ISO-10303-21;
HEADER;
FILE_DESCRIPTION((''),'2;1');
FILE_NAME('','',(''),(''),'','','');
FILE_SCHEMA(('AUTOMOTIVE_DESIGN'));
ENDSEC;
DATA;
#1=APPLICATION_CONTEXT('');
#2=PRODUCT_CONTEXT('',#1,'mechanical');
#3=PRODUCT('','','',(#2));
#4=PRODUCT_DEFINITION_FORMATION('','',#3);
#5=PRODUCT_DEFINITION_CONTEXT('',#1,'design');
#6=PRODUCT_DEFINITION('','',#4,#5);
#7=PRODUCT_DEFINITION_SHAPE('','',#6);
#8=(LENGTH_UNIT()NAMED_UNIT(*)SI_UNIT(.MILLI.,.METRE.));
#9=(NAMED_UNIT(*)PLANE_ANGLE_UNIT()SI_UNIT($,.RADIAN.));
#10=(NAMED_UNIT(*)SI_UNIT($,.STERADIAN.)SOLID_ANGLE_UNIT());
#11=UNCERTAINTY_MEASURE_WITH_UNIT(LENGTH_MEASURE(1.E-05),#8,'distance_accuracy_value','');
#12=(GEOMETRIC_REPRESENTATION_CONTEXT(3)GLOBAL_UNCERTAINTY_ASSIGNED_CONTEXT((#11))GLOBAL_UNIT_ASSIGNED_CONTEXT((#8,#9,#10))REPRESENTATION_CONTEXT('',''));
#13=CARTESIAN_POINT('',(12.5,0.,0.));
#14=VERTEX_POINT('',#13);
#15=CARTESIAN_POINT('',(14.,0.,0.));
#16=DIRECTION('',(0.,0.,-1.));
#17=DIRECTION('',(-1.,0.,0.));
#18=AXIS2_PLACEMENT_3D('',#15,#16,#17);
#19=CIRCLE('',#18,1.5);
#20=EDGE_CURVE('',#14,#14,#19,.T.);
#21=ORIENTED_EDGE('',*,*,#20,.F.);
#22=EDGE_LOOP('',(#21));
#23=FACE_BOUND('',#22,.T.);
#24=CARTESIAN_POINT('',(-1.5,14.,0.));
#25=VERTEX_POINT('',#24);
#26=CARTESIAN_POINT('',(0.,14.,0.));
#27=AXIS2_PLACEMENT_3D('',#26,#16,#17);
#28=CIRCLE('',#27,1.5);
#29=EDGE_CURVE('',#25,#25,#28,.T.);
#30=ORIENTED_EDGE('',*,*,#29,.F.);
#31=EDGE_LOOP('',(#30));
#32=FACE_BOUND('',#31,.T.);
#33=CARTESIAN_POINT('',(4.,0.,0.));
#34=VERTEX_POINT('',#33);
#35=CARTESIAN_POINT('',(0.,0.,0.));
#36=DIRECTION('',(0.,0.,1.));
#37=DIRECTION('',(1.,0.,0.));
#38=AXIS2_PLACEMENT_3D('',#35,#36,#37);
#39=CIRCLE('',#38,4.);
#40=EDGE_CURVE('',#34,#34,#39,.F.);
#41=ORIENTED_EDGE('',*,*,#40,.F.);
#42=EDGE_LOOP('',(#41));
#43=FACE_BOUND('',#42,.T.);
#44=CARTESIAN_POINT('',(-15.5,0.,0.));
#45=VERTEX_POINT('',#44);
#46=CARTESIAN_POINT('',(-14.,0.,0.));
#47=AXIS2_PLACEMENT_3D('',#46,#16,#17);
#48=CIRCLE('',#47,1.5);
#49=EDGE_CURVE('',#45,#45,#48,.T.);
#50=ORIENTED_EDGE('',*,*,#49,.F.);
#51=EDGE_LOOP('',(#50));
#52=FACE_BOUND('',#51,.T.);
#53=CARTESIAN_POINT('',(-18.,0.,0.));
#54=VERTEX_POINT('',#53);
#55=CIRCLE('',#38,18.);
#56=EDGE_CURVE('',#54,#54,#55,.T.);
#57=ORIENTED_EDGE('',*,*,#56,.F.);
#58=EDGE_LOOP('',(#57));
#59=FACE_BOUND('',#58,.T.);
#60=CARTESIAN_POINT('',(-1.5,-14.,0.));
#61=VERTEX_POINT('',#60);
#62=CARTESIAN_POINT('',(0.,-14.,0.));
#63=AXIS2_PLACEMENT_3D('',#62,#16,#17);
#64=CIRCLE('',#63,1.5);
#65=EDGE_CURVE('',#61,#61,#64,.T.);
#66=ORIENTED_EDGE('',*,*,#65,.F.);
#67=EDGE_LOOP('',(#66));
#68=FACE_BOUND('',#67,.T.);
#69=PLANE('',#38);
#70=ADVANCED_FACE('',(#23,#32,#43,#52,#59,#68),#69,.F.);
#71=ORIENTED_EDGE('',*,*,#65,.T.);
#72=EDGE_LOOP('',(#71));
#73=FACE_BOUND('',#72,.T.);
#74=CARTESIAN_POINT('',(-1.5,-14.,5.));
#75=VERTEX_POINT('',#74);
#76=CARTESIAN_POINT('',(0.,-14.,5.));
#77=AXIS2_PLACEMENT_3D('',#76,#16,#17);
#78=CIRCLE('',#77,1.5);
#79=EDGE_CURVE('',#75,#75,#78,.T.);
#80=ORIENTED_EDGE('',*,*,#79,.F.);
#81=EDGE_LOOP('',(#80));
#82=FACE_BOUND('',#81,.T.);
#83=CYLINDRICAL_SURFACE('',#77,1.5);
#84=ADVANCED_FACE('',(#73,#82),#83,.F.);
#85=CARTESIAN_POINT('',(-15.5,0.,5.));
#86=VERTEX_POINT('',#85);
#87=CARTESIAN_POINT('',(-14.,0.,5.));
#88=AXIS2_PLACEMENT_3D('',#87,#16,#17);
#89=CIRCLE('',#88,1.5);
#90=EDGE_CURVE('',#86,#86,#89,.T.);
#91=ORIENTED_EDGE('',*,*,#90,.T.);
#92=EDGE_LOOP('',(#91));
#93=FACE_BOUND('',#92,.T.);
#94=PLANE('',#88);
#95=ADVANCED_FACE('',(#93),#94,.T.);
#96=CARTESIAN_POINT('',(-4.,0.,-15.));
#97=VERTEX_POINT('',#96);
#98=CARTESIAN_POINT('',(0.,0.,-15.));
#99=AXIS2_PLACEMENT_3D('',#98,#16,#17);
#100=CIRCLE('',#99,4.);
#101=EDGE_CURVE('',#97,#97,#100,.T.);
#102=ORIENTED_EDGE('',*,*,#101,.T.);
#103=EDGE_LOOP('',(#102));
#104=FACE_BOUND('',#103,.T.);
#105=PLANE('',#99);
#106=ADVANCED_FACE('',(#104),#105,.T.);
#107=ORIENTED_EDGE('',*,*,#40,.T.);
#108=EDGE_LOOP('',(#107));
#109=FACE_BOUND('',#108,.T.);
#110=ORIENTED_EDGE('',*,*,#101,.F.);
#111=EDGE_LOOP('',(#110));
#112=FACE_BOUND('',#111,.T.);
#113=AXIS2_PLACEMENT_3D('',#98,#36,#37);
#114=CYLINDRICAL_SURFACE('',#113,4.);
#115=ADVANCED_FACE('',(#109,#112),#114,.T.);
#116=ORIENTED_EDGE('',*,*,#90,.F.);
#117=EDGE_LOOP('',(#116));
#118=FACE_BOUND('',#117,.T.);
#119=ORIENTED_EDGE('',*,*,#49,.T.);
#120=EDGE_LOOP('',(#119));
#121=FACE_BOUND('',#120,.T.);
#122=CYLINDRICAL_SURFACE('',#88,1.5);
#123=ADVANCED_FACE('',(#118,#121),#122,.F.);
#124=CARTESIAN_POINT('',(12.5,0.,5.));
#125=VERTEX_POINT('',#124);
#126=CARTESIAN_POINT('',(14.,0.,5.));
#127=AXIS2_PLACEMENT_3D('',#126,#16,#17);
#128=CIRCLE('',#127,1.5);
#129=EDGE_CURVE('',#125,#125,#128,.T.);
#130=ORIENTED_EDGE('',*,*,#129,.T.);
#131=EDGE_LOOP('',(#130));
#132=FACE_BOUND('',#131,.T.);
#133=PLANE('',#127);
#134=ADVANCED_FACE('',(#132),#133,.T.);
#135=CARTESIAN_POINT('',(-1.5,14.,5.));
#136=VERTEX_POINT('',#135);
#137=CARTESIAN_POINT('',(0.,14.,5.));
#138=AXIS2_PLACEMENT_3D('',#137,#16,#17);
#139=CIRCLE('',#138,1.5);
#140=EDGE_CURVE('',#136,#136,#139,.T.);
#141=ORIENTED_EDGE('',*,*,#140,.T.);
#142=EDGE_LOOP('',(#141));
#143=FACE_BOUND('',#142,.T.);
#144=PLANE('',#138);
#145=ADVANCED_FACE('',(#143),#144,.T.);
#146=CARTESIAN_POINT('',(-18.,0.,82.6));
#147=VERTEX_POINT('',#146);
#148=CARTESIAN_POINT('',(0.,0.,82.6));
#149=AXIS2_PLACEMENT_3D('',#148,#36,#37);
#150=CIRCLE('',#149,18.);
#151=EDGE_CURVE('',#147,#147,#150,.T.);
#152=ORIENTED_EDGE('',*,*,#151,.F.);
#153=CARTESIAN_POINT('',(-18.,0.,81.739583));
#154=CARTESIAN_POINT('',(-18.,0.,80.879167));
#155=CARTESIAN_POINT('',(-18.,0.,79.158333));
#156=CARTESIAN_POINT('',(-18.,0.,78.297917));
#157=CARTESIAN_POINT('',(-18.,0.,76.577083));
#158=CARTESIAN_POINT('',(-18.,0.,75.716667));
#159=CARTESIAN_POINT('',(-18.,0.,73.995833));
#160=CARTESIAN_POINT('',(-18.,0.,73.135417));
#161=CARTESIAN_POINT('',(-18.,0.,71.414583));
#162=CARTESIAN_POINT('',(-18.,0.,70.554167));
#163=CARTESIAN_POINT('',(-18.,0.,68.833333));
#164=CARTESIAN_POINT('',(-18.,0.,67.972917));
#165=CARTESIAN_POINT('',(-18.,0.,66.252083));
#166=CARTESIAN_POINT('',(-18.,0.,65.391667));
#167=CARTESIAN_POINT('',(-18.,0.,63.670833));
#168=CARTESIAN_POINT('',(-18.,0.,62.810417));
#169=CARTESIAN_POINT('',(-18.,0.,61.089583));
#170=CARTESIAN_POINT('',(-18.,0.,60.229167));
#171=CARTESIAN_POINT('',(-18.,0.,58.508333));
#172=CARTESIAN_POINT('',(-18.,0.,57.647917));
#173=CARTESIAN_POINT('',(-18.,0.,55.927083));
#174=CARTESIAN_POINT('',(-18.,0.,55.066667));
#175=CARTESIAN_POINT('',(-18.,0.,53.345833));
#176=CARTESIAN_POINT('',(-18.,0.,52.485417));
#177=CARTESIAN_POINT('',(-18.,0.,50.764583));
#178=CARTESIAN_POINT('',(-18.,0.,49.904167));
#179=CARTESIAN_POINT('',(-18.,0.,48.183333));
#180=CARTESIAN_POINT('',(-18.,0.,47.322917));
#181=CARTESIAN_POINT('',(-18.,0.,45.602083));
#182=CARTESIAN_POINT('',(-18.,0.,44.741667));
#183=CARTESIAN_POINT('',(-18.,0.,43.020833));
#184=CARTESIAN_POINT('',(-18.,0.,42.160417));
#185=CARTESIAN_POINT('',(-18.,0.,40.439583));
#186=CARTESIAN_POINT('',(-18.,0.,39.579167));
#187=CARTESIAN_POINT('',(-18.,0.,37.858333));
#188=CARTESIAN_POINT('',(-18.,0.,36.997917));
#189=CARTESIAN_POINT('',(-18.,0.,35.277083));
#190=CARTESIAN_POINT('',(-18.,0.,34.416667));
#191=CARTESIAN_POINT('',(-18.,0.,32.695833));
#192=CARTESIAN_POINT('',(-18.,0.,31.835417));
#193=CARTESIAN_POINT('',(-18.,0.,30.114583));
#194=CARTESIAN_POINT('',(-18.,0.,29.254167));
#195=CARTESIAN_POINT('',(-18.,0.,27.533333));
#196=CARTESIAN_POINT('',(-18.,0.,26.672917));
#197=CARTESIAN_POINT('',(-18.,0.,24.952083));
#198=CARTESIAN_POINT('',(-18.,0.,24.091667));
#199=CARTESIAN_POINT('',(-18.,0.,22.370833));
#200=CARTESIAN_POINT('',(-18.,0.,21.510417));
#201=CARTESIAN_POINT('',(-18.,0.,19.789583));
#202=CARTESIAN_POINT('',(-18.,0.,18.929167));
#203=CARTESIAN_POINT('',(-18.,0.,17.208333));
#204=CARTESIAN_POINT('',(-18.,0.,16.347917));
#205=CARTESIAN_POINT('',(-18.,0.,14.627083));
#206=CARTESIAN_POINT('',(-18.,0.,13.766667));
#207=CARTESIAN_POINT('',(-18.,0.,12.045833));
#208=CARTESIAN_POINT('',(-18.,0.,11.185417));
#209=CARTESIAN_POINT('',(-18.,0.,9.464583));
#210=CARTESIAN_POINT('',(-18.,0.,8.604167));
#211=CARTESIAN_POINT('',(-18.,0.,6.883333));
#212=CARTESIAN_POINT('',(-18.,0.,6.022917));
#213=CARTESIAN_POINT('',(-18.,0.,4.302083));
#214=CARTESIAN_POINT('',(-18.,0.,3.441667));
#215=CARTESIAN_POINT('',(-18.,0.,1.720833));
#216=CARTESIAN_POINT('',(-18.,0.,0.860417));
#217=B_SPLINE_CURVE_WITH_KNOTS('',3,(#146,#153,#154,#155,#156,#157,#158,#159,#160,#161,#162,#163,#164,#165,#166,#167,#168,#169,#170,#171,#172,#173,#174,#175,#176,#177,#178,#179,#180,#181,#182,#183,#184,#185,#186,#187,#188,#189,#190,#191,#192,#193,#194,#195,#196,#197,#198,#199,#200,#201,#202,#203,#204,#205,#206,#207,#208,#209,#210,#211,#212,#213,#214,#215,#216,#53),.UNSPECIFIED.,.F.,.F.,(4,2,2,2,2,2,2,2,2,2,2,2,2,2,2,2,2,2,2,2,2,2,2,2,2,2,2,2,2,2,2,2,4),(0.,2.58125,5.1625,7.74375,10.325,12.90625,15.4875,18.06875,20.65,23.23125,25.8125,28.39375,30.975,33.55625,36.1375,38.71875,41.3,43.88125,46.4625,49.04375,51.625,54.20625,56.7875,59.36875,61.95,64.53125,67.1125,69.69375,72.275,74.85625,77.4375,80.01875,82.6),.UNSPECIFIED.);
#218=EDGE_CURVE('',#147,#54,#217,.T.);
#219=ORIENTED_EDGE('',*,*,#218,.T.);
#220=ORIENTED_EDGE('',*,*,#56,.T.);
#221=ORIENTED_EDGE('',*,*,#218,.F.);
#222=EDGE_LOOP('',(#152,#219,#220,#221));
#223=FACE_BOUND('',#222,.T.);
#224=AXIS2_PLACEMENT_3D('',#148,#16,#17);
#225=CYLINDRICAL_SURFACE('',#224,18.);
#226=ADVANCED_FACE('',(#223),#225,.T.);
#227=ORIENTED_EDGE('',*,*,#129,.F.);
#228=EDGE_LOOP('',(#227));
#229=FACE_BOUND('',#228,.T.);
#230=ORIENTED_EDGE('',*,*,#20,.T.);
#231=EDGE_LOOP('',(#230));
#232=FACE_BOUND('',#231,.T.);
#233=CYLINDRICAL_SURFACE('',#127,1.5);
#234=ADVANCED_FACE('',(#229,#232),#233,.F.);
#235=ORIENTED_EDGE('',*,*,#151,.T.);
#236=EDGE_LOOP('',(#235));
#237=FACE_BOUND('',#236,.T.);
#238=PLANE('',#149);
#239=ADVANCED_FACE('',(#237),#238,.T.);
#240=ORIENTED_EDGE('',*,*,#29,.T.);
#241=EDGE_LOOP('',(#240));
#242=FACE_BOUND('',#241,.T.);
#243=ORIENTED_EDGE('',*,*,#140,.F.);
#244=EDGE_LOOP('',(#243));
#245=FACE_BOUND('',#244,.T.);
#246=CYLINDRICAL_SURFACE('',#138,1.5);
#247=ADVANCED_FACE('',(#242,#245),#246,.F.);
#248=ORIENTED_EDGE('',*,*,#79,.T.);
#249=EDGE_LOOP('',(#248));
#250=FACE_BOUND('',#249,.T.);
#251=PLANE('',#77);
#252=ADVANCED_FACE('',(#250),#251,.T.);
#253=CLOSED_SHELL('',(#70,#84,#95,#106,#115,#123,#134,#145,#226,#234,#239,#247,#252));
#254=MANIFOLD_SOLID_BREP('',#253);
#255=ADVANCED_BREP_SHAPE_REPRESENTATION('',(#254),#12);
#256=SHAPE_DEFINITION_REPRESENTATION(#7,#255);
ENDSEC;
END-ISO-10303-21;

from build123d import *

# Parameters (mm, degrees)
SKETCH1_R           = 18
BOSS_EXTRUDE1_DEPTH = 82.6
SKETCH3_R           = 1.5
CUT_EXTRUDE1_DEPTH  = 5
SKETCH2_R           = 4
BOSS_EXTRUDE3_DEPTH = 15


with BuildPart() as part:
    # Sketch1 → Boss-Extrude1 (new body)
    with BuildSketch(Plane.XY):
        with Locations(Location((0, 0, 0), (0, 0, 180))):
            Circle(SKETCH1_R)
    extrude(amount=BOSS_EXTRUDE1_DEPTH)

    # Sketch3 → Cut-Extrude1 (cut)
    with BuildSketch(Plane(origin=(0, 0, 0), x_dir=(-1, 0, 0), z_dir=(0, 0, -1))):
        with Locations((0, 14)):
            Circle(SKETCH3_R)
        with Locations((14, 0)):
            Circle(SKETCH3_R)
        with Locations((0, -14)):
            Circle(SKETCH3_R)
        with Locations((-14, 0)):
            Circle(SKETCH3_R)
    extrude(amount=-CUT_EXTRUDE1_DEPTH, mode=Mode.SUBTRACT)

    # Sketch2 → Boss-Extrude3 (add)
    with BuildSketch(Plane(origin=(0, 0, 0), x_dir=(-1, 0, 0), z_dir=(0, 0, -1))):
        with Locations(Location((0, 0, 0), (0, 0, 180))):
            Circle(SKETCH2_R)
    extrude(amount=BOSS_EXTRUDE3_DEPTH)


solid = part.part
